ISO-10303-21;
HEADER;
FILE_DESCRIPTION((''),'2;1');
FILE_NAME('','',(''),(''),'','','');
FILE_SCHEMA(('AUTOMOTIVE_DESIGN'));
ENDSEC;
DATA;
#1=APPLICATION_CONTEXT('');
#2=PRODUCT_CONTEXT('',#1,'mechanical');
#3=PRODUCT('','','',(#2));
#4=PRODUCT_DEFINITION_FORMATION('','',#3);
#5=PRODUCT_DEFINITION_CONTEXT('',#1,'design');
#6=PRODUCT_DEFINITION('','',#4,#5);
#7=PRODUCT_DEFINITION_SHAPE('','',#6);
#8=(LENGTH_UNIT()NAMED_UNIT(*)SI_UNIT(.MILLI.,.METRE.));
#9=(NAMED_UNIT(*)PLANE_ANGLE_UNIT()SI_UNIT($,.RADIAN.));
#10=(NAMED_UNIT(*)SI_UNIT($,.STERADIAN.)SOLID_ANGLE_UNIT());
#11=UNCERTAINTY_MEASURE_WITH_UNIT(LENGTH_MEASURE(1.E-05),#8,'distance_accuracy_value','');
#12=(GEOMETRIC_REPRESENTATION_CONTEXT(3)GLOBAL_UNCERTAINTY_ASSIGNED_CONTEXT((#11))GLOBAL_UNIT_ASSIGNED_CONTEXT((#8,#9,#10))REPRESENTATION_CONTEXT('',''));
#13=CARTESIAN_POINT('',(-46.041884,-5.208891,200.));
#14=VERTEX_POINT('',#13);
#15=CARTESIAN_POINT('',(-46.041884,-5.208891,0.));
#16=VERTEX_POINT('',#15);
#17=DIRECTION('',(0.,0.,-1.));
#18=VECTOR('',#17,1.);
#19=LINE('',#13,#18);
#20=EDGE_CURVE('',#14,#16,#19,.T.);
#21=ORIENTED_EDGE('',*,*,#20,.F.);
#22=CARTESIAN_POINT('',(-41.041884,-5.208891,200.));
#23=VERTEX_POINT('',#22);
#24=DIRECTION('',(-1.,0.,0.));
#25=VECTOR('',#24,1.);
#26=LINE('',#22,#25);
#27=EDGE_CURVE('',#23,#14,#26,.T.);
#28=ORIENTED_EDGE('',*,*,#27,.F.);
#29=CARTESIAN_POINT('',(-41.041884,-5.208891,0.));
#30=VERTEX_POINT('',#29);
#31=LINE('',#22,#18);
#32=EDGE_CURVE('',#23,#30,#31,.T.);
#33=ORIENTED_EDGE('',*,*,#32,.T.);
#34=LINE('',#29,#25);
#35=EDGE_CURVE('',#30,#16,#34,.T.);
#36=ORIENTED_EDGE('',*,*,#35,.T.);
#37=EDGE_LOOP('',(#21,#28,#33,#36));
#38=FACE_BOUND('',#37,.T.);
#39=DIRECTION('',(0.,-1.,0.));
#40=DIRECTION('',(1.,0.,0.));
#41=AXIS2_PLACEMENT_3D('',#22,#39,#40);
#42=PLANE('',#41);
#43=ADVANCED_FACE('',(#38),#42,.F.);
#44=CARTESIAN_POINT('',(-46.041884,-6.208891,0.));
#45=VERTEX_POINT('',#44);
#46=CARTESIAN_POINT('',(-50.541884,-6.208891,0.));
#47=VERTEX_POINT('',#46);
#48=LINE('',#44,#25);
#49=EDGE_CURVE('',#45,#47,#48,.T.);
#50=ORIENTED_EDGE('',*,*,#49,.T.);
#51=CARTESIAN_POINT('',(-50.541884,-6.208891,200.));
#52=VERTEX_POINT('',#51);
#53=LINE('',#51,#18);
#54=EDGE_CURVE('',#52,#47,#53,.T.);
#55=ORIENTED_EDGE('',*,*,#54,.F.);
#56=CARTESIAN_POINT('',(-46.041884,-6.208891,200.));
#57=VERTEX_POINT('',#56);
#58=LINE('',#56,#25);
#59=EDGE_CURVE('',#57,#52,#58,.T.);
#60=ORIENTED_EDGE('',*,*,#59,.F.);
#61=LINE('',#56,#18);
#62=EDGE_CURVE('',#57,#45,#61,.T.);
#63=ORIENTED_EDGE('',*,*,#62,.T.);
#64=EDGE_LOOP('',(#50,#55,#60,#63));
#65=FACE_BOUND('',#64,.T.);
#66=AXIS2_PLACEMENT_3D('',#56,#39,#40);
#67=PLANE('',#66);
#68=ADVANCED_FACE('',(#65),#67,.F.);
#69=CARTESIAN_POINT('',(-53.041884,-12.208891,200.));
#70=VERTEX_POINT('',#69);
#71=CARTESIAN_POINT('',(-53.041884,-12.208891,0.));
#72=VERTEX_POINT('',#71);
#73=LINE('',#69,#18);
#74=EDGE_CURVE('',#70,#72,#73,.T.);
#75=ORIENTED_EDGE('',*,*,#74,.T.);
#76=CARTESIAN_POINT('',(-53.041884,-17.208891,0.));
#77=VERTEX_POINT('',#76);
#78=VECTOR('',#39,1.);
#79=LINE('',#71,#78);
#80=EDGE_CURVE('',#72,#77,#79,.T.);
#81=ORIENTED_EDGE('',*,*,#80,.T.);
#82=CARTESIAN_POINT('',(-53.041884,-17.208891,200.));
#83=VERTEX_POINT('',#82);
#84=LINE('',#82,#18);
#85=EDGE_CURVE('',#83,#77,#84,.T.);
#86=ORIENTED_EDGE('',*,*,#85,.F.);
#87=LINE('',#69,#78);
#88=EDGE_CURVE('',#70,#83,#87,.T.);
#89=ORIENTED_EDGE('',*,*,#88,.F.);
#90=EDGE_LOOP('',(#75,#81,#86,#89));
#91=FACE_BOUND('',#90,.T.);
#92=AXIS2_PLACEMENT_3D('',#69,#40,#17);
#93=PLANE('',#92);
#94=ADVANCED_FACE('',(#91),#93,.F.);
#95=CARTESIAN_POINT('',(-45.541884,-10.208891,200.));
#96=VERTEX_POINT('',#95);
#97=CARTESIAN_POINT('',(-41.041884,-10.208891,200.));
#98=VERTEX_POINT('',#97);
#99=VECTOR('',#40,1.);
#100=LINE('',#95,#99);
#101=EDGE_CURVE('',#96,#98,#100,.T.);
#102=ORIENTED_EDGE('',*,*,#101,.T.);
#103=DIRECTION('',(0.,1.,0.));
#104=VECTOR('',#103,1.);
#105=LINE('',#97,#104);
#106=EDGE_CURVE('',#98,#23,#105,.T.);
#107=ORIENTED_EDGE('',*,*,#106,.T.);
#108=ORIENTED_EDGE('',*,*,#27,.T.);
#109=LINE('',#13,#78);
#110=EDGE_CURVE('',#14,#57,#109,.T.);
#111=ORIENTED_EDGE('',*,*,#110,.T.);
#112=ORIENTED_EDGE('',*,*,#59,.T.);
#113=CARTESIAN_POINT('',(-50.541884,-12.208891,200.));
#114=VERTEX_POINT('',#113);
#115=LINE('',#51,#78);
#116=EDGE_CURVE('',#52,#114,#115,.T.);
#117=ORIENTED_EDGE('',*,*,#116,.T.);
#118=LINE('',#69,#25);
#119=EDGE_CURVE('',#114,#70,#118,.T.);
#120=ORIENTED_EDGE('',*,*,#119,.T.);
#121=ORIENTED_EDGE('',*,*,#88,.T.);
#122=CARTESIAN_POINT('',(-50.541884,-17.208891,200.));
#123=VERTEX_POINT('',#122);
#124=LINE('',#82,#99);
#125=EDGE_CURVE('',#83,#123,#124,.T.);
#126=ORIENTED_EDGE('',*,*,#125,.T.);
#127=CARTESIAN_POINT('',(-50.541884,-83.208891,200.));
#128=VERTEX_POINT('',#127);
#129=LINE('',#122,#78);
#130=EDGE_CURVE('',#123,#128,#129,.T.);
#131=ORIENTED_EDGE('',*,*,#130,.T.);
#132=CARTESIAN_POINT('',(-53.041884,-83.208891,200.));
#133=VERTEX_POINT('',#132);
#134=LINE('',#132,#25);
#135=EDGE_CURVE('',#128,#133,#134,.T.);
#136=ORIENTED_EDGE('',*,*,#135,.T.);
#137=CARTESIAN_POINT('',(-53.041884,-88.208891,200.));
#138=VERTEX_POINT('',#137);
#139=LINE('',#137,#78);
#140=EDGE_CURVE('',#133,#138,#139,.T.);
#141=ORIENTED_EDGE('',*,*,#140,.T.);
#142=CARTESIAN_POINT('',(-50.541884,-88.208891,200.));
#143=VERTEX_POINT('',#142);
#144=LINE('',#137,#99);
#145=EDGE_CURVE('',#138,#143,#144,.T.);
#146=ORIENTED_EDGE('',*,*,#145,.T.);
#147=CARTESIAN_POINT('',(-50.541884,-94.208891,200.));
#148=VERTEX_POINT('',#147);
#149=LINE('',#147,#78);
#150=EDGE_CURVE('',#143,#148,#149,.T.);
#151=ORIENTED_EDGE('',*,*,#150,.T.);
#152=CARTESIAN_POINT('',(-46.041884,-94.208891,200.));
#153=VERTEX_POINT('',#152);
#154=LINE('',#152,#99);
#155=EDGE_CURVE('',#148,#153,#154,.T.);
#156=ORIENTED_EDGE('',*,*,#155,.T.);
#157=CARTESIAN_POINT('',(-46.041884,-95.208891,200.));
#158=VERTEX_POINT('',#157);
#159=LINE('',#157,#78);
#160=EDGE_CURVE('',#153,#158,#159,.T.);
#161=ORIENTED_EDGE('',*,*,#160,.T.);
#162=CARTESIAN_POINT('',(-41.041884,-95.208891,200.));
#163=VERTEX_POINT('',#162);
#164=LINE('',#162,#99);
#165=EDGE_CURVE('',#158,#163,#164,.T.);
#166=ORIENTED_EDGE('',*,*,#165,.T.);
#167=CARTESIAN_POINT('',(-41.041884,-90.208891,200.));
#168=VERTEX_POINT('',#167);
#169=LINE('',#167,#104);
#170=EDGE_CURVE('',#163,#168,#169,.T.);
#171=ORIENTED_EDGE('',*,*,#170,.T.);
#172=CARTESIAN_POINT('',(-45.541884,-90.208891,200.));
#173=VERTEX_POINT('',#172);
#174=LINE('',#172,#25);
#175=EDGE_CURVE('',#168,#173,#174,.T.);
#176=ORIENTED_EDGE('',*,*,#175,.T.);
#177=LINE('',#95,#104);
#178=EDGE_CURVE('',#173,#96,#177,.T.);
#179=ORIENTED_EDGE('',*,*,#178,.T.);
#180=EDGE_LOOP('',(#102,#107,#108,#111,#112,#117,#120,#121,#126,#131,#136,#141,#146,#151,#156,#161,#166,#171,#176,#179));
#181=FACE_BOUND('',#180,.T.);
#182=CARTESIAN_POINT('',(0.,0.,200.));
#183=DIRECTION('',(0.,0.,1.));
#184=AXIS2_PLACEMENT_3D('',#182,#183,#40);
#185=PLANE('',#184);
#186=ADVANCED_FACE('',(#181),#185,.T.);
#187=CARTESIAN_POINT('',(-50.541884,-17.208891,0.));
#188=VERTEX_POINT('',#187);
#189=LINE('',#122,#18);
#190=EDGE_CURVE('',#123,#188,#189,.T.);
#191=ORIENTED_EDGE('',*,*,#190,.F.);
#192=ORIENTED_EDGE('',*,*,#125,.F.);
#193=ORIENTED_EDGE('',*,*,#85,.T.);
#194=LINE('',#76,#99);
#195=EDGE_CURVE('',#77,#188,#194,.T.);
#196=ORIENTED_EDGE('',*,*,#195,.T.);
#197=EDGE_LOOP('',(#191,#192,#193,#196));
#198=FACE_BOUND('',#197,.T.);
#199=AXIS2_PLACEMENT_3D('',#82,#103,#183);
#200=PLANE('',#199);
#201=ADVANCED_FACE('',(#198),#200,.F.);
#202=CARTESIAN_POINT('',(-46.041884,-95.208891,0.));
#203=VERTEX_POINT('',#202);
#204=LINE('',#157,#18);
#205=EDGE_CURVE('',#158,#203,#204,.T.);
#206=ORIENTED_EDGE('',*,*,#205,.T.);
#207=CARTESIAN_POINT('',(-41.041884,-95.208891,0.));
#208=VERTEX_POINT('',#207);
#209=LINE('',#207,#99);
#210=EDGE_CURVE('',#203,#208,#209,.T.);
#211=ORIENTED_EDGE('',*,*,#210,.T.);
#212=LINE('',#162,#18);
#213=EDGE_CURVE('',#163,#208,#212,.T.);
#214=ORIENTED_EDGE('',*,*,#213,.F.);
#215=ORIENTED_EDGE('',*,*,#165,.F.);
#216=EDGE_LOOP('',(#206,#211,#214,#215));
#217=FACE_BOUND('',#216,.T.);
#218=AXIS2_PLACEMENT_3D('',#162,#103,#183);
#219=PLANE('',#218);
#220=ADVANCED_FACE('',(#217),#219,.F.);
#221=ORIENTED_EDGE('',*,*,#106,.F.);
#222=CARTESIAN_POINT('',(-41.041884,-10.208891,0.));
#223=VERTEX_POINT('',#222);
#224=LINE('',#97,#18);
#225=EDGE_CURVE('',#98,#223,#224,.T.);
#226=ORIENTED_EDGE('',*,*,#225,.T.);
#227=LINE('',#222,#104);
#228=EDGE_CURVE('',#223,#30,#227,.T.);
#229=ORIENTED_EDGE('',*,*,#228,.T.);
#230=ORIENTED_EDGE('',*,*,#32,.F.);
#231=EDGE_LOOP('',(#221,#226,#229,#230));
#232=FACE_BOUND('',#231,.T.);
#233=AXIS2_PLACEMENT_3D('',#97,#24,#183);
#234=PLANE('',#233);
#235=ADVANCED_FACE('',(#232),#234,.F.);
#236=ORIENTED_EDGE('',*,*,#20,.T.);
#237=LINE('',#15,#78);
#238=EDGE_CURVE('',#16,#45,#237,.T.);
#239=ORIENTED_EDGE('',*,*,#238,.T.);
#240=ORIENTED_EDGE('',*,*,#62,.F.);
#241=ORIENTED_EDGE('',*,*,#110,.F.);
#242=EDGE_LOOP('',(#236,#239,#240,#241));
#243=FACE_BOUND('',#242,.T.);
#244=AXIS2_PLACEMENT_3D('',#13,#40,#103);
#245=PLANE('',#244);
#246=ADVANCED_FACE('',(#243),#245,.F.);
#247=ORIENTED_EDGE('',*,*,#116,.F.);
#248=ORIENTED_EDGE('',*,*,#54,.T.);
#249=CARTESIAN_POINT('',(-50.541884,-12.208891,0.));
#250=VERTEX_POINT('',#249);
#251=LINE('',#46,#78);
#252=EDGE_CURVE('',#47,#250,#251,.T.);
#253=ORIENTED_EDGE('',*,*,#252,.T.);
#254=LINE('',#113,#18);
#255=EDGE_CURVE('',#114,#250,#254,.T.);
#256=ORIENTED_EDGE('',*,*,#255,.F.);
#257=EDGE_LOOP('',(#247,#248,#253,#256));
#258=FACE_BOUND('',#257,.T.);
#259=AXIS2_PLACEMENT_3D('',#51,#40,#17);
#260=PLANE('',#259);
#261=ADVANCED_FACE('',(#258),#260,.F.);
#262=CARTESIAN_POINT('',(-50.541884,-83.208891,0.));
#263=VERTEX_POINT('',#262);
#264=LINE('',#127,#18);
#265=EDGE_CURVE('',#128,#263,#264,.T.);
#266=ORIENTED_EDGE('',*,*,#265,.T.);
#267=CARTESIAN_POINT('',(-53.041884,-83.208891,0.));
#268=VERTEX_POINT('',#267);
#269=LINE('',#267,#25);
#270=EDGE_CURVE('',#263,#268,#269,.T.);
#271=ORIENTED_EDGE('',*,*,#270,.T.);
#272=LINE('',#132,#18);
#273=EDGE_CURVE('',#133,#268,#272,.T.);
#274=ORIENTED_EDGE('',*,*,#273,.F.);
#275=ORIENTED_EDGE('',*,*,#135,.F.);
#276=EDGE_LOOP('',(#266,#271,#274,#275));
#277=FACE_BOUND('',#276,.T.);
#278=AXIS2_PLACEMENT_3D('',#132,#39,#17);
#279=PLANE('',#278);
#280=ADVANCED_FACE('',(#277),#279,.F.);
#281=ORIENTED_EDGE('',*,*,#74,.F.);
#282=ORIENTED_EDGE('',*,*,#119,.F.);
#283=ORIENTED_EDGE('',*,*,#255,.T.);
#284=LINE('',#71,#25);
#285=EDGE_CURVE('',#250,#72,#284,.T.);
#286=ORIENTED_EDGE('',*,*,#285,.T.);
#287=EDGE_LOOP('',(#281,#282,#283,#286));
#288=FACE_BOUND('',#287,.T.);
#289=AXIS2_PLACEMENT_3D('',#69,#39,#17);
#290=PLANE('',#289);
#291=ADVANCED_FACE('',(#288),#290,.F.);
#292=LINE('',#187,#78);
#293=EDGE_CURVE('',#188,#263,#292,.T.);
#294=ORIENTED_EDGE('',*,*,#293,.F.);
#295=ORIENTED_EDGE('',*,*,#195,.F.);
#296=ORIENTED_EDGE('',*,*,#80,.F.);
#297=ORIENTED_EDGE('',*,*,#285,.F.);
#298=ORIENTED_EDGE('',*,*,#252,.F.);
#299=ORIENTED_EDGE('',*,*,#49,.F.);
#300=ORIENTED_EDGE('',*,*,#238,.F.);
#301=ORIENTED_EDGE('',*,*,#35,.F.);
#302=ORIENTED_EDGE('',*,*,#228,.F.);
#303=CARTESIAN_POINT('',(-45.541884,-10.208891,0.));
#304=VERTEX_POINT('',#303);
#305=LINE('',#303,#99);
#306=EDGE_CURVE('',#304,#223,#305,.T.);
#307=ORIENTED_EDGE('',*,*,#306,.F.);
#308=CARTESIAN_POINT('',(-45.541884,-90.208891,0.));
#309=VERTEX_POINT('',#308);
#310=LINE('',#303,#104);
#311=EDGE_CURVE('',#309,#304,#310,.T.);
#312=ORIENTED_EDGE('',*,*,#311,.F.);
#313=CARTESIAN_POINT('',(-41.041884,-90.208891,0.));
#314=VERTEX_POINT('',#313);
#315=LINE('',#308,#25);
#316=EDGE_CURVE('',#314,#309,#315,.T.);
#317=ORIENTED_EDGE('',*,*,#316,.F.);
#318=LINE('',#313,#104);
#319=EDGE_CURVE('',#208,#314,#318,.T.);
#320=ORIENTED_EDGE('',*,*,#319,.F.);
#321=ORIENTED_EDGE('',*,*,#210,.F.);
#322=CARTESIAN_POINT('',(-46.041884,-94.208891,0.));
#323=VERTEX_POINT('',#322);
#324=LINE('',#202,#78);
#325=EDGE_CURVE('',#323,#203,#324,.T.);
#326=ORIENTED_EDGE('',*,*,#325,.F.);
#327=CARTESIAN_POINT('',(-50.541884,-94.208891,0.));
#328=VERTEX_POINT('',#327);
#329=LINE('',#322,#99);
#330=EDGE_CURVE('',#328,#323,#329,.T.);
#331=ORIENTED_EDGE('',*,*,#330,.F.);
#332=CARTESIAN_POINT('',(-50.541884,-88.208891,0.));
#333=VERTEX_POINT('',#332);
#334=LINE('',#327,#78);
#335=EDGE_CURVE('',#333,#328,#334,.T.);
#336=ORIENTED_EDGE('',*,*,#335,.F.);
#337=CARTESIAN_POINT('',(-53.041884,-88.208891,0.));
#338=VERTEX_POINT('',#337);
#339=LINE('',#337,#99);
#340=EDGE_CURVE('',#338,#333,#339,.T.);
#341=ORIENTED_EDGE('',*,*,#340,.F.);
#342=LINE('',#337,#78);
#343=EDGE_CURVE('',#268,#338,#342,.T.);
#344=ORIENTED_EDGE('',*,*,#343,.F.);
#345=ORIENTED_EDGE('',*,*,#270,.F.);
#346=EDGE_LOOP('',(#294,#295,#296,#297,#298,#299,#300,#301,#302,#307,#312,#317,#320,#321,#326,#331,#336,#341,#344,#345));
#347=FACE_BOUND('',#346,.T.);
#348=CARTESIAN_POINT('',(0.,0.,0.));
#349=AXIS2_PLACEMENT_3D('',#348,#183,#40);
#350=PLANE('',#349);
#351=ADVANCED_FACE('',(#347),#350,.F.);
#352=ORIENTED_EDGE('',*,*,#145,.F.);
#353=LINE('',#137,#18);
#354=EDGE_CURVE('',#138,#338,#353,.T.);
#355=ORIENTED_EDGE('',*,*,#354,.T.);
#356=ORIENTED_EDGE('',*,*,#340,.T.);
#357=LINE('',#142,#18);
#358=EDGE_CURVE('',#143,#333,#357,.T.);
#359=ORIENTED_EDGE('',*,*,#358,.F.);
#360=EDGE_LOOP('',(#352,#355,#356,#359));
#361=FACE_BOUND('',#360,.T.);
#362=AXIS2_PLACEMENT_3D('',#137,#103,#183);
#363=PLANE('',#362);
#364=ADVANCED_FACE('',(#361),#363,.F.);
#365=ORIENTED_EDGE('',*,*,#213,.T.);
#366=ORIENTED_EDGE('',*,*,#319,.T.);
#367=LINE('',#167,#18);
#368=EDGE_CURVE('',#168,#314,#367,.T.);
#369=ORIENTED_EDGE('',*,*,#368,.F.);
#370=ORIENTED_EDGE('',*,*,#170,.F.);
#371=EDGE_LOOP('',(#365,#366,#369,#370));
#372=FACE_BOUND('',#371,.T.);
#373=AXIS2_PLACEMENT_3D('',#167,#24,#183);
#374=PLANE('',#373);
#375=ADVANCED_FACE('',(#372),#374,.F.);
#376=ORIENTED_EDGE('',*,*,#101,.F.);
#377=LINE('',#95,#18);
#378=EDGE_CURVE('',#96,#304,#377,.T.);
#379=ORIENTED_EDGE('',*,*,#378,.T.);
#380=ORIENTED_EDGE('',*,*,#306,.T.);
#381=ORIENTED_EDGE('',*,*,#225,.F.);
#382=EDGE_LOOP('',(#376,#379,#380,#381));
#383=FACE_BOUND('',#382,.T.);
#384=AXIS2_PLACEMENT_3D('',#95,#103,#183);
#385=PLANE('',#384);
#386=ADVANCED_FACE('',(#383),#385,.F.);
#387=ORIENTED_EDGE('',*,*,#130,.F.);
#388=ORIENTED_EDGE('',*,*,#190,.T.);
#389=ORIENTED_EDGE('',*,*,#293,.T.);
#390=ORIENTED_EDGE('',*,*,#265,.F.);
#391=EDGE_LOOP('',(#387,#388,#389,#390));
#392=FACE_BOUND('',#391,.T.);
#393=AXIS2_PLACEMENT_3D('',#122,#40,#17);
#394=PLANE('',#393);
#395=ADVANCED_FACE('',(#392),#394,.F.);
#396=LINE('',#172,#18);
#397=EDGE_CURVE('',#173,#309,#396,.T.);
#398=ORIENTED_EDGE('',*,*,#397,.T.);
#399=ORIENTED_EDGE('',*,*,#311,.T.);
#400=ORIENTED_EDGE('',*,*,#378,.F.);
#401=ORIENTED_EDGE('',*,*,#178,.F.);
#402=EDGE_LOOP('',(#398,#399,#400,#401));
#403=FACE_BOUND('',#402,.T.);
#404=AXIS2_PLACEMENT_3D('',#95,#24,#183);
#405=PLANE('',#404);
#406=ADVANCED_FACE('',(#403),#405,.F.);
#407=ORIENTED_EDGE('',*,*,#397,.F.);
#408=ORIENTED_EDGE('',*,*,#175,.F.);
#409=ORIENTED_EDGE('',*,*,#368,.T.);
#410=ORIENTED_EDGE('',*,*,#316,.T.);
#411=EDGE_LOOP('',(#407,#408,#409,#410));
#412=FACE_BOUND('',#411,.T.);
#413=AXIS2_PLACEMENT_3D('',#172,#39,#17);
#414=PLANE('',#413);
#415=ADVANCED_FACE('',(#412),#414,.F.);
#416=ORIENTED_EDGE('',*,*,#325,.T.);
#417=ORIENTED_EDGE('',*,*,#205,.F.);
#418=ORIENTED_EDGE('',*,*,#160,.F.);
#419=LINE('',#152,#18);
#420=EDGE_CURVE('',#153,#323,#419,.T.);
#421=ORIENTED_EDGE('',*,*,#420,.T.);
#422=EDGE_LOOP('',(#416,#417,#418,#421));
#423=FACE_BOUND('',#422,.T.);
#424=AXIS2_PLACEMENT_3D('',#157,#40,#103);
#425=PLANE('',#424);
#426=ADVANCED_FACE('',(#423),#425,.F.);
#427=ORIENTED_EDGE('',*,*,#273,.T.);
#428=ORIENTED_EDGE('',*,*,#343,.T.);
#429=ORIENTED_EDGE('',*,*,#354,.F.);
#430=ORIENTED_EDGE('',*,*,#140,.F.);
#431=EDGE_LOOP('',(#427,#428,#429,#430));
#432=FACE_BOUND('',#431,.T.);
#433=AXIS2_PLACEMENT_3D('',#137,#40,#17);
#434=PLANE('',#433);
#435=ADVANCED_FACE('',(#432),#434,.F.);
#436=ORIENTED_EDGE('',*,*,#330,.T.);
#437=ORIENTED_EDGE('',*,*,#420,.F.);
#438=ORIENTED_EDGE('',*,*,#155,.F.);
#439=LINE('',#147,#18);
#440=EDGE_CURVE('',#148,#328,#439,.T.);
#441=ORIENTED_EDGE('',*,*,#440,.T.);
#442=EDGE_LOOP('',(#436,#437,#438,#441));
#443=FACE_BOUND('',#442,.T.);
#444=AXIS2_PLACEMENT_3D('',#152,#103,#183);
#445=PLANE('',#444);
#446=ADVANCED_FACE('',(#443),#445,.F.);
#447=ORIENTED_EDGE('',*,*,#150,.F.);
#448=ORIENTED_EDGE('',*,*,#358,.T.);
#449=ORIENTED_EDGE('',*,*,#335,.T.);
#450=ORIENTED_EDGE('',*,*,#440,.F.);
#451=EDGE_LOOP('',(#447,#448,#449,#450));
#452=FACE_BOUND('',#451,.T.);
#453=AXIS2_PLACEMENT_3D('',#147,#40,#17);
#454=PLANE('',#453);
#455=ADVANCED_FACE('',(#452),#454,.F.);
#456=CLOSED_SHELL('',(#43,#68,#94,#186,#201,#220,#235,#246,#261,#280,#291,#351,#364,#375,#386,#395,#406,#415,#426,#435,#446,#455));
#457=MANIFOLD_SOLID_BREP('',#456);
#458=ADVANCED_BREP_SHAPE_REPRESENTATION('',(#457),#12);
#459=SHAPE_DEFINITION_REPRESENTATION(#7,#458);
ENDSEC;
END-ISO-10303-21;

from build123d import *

# Parameters (mm, degrees)
BOSS_EXTRUDE1_DEPTH = 200


with BuildPart() as part:
    # Sketch1 → Boss-Extrude1 (new body)
    with BuildSketch(Plane.XY):
        Polygon((-46.041883504, -5.20889143), (-46.041883504, -6.20889143), (-50.541883504, -6.20889143), (-50.541883504, -12.20889143), (-53.041883504, -12.20889143), (-53.041883504, -17.20889143), (-50.541883504, -17.20889143), (-50.541883504, -83.20889143), (-53.041883504, -83.20889143), (-53.041883504, -88.20889143), (-50.541883504, -88.20889143), (-50.541883504, -94.20889143), (-46.041883504, -94.20889143), (-46.041883504, -95.20889143), (-41.041883504, -95.20889143), (-41.041883504, -90.20889143), (-45.541883504, -90.20889143), (-45.541883504, -10.20889143), (-41.041883504, -10.20889143), (-41.041883504, -5.20889143), align=None)
    extrude(amount=BOSS_EXTRUDE1_DEPTH)


solid = part.part
